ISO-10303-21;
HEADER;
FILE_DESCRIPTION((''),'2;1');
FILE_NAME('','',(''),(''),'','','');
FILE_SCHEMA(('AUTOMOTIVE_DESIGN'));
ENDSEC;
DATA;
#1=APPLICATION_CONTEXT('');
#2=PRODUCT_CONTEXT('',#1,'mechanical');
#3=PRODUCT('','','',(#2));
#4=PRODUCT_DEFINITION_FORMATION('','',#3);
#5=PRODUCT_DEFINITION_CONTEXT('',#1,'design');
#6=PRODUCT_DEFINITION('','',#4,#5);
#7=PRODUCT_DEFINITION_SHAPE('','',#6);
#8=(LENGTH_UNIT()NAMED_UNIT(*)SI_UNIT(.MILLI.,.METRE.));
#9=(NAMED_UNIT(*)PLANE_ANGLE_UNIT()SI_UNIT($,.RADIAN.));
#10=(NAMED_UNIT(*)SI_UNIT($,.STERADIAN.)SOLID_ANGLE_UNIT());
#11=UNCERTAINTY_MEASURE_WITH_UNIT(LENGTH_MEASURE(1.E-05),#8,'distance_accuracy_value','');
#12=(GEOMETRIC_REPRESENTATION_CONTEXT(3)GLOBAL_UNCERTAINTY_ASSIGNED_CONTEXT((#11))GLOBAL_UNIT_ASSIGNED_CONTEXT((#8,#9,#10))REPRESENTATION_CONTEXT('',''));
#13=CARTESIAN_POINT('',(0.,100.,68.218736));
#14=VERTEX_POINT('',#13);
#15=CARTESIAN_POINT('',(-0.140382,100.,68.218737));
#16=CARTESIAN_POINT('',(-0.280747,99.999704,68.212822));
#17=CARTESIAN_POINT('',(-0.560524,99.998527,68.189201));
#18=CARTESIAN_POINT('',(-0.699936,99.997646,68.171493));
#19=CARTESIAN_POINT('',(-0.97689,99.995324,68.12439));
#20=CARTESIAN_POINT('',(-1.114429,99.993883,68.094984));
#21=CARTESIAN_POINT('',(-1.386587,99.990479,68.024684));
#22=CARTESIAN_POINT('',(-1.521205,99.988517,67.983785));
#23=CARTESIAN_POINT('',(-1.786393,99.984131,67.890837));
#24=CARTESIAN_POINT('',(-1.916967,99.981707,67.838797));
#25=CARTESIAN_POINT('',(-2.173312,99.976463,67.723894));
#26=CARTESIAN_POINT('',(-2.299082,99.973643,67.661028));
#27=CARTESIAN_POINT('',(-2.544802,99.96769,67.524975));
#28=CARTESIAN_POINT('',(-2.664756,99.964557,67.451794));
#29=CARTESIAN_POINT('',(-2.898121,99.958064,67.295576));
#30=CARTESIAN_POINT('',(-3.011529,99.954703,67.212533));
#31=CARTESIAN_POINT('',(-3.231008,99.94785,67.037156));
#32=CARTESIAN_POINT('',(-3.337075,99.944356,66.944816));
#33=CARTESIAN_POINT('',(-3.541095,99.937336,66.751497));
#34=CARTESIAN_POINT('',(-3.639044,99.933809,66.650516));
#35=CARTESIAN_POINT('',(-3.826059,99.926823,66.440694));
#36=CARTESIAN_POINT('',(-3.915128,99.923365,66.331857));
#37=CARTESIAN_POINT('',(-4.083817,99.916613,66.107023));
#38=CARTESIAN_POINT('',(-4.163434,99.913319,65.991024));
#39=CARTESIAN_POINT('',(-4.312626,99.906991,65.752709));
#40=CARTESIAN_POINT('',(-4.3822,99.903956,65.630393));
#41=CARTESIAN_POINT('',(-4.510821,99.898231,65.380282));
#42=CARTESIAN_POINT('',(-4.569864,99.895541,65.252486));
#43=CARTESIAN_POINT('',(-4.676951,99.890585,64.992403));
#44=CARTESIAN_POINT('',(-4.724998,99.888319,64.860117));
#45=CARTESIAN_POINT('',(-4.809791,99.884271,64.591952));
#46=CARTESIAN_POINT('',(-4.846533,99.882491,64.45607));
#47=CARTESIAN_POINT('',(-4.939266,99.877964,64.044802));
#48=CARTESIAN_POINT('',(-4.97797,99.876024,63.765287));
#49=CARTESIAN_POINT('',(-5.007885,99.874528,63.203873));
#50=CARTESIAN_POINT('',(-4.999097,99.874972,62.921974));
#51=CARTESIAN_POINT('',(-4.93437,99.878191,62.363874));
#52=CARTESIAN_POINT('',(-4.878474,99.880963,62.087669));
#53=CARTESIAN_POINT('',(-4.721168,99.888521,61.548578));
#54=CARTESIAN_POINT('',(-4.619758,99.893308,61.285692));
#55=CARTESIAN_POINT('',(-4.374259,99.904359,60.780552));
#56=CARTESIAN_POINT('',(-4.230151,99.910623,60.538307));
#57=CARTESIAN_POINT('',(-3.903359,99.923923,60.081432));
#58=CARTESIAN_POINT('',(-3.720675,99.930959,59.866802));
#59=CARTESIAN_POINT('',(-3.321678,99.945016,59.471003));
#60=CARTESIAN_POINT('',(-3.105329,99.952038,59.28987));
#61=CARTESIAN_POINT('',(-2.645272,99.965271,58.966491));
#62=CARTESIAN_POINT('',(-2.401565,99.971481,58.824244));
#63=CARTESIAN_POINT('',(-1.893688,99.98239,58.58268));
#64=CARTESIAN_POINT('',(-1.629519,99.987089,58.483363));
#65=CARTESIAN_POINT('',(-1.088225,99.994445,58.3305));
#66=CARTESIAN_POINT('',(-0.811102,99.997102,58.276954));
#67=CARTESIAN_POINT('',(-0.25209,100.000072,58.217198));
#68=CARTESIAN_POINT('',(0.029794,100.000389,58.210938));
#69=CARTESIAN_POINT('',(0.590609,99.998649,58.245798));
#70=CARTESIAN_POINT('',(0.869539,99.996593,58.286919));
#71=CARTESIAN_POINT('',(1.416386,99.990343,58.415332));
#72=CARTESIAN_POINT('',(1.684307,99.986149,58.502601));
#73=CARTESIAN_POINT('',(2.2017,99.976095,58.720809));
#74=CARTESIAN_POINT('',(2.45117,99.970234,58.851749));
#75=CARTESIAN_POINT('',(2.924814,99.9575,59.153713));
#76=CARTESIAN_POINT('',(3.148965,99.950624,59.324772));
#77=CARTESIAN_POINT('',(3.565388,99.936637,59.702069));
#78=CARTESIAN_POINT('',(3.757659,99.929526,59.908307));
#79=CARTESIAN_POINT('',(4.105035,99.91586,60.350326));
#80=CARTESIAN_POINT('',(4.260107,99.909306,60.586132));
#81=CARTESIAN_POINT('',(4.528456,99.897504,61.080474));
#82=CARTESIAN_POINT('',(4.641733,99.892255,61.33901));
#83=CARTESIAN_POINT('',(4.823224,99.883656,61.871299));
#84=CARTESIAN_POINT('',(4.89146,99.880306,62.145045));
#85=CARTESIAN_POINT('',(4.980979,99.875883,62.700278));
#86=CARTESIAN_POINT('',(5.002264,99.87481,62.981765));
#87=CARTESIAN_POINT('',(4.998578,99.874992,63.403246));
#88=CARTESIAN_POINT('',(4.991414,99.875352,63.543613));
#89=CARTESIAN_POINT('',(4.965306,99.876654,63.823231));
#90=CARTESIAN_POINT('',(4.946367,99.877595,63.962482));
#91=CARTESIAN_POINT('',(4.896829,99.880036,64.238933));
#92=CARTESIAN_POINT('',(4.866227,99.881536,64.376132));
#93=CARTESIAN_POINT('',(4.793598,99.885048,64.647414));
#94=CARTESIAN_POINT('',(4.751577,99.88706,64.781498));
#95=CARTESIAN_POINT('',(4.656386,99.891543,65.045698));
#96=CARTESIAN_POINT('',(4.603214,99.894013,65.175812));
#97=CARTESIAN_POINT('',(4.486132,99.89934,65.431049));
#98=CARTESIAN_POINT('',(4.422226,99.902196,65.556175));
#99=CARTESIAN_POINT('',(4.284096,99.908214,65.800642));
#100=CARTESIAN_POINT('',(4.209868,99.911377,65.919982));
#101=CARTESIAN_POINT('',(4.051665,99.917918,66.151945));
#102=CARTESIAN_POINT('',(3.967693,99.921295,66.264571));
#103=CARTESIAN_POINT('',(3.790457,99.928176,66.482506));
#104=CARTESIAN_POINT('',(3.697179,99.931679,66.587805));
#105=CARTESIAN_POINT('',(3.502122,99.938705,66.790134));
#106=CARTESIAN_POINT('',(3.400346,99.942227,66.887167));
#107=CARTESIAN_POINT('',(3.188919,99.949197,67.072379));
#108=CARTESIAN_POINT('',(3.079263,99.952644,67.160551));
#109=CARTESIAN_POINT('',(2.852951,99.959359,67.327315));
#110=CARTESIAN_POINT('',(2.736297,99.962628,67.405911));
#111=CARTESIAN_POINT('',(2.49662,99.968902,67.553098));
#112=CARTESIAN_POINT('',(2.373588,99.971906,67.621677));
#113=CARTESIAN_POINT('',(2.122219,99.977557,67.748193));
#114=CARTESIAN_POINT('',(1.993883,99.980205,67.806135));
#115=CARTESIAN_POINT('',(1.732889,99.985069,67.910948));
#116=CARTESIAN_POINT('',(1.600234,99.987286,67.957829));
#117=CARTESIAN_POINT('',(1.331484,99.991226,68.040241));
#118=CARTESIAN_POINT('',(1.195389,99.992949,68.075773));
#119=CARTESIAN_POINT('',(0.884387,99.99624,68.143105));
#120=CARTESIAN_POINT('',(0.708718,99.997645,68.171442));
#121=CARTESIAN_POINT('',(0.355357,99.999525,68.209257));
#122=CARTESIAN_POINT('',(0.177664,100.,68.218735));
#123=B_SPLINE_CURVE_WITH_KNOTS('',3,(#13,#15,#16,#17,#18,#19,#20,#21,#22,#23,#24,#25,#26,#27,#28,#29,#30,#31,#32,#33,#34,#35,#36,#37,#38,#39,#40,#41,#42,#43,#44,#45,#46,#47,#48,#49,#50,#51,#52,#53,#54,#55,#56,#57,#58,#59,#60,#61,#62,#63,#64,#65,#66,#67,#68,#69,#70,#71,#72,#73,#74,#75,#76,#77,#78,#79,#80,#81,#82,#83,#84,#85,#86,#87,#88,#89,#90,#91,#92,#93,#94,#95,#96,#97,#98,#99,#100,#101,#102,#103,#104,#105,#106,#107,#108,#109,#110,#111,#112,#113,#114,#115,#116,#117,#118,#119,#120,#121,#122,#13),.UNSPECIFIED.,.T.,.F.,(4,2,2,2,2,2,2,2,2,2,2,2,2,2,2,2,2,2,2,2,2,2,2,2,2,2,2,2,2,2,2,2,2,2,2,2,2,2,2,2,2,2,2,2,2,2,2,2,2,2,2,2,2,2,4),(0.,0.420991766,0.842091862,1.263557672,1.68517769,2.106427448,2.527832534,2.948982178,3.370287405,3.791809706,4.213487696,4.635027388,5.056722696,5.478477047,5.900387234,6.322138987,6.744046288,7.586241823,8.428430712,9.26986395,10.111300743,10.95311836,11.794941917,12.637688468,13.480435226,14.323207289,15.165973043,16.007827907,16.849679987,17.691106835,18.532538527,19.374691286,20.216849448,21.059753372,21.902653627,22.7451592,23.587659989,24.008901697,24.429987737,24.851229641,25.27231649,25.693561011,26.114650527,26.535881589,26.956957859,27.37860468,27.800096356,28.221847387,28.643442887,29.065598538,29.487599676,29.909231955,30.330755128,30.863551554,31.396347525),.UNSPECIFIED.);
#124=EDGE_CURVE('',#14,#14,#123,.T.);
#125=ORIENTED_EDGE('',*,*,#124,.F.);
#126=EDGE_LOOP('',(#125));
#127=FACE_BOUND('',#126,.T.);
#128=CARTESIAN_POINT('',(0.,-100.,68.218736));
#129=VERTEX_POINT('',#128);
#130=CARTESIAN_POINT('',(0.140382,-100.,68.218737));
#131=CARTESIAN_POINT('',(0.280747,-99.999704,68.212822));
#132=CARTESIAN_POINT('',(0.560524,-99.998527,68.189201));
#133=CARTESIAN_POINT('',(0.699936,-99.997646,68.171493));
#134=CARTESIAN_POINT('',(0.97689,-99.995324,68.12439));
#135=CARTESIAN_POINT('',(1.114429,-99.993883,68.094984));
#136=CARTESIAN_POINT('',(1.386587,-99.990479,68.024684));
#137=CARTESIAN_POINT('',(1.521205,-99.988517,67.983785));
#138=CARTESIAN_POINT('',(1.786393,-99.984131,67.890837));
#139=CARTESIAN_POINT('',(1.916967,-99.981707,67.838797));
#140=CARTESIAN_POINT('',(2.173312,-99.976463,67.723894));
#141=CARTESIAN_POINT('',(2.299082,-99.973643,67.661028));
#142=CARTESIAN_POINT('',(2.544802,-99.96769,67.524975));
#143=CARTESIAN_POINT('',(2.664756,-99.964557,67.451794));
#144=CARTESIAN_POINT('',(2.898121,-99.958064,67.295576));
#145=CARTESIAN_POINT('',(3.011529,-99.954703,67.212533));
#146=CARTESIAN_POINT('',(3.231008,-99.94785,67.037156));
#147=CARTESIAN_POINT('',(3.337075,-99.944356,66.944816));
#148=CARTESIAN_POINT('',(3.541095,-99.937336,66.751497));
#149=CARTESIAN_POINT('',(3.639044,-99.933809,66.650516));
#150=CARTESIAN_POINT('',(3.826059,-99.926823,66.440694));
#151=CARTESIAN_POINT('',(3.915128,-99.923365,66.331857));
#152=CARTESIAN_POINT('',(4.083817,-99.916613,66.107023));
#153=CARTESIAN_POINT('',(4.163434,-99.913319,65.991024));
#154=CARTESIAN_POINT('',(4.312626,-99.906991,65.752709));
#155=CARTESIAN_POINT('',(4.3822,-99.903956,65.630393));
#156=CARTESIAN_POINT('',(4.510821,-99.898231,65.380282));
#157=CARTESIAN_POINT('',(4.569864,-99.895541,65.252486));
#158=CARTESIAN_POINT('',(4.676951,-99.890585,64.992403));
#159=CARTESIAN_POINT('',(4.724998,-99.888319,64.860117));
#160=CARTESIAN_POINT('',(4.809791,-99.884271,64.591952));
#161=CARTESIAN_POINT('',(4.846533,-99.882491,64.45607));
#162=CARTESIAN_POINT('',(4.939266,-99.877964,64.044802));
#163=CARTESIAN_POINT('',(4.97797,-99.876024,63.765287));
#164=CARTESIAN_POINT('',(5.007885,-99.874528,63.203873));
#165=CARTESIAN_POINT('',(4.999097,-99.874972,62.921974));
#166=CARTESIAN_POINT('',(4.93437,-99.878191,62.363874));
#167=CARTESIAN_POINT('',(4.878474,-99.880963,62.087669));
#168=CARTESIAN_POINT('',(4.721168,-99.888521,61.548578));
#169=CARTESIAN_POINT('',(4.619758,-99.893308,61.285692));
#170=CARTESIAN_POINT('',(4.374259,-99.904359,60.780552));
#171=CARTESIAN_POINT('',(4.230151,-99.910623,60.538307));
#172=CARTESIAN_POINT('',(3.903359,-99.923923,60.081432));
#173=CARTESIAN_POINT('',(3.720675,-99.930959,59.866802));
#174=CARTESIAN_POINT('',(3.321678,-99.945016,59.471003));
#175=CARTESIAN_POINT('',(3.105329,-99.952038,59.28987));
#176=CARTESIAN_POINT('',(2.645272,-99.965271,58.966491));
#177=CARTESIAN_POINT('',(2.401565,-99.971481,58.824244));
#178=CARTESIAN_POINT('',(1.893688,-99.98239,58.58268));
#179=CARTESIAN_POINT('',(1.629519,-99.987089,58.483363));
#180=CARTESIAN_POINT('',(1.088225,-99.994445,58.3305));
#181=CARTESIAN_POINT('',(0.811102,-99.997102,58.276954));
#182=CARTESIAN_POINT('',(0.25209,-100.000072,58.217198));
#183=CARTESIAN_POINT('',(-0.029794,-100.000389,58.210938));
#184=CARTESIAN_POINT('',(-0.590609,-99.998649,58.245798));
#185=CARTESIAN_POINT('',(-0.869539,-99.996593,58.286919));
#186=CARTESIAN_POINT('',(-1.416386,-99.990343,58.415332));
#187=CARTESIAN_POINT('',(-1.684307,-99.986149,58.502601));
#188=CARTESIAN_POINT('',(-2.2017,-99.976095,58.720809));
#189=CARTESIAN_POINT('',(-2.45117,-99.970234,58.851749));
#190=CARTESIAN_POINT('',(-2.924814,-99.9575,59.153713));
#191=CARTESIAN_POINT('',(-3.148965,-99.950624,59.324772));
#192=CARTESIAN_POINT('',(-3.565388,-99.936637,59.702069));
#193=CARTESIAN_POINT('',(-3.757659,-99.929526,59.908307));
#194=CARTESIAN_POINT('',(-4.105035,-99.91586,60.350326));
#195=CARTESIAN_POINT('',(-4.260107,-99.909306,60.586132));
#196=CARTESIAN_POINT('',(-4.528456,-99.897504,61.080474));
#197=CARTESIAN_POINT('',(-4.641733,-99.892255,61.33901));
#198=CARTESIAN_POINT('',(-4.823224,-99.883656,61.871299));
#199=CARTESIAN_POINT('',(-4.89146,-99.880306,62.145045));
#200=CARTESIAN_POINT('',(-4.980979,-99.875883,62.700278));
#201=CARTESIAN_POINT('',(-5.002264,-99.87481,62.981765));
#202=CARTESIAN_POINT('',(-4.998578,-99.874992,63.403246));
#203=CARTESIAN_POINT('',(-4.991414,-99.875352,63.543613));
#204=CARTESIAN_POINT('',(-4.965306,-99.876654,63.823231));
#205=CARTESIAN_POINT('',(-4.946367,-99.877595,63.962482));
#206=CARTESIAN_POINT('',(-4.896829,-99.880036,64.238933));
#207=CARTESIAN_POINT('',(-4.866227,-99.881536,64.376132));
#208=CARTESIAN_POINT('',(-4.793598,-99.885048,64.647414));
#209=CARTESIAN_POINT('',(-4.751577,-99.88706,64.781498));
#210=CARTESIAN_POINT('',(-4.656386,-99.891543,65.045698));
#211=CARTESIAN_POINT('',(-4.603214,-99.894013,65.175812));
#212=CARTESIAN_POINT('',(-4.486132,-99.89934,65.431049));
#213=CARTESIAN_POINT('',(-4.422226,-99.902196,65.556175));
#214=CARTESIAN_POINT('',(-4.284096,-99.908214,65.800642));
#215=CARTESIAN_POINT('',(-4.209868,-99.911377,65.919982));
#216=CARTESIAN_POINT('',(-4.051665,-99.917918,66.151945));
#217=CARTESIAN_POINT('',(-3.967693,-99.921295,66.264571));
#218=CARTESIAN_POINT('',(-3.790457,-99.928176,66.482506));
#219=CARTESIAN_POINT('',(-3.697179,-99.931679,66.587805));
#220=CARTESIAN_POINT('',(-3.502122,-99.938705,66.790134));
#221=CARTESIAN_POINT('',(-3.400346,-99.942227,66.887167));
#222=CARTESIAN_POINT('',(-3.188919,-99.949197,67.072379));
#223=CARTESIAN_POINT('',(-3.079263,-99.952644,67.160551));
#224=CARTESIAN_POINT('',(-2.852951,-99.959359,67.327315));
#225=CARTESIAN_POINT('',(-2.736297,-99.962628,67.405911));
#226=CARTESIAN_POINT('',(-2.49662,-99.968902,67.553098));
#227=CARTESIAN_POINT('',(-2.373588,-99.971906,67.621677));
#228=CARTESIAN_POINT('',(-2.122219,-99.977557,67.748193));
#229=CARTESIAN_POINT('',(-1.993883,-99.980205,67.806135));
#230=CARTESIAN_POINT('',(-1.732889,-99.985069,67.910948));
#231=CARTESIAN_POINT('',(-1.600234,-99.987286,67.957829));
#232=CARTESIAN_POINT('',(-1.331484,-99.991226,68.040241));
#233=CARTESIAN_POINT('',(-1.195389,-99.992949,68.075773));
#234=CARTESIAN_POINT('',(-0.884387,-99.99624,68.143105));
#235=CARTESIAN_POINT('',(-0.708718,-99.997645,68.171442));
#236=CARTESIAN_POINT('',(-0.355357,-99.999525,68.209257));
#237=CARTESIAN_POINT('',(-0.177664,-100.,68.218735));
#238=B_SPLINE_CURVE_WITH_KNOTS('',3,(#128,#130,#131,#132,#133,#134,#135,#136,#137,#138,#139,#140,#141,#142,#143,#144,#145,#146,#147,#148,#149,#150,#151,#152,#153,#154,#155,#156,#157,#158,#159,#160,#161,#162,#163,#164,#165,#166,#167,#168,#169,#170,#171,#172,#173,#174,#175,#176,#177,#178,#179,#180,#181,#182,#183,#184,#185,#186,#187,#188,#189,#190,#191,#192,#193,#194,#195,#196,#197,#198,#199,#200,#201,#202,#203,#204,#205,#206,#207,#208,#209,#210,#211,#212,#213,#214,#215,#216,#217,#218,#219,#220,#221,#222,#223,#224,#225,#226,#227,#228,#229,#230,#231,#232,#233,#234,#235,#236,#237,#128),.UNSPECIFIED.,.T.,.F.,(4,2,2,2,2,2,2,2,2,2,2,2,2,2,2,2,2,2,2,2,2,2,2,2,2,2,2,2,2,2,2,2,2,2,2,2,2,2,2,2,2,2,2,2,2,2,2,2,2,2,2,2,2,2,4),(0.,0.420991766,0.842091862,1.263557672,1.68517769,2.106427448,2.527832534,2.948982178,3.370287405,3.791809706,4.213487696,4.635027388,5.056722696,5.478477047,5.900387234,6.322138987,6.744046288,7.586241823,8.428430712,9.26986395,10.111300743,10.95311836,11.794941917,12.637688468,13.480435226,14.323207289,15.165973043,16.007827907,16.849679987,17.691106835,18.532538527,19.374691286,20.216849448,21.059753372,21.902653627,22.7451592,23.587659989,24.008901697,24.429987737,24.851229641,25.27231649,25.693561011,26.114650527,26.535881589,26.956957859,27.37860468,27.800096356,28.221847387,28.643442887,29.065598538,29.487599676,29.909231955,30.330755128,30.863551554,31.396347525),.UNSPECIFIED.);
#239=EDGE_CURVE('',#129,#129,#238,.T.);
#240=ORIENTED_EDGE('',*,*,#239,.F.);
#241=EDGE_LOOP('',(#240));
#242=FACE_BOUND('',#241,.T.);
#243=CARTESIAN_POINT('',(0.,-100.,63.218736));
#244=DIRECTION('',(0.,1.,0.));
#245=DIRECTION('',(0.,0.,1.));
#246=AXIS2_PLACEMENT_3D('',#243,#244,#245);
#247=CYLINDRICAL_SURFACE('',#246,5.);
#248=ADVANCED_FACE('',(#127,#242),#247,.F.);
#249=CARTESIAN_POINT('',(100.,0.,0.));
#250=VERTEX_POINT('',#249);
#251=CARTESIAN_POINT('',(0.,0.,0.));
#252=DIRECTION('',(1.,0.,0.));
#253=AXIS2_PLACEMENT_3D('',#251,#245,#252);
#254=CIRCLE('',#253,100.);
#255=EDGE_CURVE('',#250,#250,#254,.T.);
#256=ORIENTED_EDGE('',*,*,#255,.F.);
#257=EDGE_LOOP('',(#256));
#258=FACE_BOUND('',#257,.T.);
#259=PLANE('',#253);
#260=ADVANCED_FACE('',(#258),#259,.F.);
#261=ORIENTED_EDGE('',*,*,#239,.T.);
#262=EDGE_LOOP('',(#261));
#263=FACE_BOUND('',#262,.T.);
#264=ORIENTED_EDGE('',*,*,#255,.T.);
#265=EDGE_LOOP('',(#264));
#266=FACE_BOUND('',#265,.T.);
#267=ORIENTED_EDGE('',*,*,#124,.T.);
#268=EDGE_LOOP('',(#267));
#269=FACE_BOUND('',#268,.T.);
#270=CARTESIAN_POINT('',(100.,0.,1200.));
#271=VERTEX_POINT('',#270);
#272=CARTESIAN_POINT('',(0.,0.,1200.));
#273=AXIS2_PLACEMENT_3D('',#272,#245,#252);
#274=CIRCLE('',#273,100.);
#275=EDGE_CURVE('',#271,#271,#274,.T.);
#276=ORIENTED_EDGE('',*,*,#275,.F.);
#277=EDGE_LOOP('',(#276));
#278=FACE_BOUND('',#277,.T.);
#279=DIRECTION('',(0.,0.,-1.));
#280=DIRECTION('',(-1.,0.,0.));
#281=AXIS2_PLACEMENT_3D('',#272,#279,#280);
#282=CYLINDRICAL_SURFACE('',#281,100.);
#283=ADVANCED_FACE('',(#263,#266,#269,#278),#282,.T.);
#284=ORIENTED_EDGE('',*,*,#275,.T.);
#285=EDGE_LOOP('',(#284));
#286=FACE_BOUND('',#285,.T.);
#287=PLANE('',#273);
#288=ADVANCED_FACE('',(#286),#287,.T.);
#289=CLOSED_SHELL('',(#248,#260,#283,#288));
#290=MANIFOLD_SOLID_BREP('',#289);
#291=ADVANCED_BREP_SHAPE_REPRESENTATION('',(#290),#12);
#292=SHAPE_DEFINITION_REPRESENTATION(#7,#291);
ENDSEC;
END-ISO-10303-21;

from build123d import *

# Parameters (mm, degrees)
SCHIZZO1_R                    = 100
ESTRUSIONE_ESTRUSIONE1_DEPTH  = 1200
TAGLIO_ESTRUSIONE1_DEPTH      = 1209.304597359
TAGLIO_ESTRUSIONE1_DEPTH_BACK = 1209.304597359
SCHIZZO2_R                    = 5


with BuildPart() as part:
    # Schizzo1 → Estrusione-Estrusione1 (new body)
    with BuildSketch(Plane.XY):
        Circle(SCHIZZO1_R)
    extrude(amount=ESTRUSIONE_ESTRUSIONE1_DEPTH)

    # Schizzo2 → Taglio-Estrusione1 (cut, two sides: drawn at the far end of the back side and taken through both)
    with BuildSketch(Plane(origin=(0, 0, 0), x_dir=(1, 0, 0), z_dir=(0, 1, 0)).offset(-TAGLIO_ESTRUSIONE1_DEPTH_BACK)):
        with Locations(Location((0, -63.218736168, 0), (0, 0, 270))):
            Circle(SCHIZZO2_R)
    extrude(amount=TAGLIO_ESTRUSIONE1_DEPTH + TAGLIO_ESTRUSIONE1_DEPTH_BACK, mode=Mode.SUBTRACT)


solid = part.part
